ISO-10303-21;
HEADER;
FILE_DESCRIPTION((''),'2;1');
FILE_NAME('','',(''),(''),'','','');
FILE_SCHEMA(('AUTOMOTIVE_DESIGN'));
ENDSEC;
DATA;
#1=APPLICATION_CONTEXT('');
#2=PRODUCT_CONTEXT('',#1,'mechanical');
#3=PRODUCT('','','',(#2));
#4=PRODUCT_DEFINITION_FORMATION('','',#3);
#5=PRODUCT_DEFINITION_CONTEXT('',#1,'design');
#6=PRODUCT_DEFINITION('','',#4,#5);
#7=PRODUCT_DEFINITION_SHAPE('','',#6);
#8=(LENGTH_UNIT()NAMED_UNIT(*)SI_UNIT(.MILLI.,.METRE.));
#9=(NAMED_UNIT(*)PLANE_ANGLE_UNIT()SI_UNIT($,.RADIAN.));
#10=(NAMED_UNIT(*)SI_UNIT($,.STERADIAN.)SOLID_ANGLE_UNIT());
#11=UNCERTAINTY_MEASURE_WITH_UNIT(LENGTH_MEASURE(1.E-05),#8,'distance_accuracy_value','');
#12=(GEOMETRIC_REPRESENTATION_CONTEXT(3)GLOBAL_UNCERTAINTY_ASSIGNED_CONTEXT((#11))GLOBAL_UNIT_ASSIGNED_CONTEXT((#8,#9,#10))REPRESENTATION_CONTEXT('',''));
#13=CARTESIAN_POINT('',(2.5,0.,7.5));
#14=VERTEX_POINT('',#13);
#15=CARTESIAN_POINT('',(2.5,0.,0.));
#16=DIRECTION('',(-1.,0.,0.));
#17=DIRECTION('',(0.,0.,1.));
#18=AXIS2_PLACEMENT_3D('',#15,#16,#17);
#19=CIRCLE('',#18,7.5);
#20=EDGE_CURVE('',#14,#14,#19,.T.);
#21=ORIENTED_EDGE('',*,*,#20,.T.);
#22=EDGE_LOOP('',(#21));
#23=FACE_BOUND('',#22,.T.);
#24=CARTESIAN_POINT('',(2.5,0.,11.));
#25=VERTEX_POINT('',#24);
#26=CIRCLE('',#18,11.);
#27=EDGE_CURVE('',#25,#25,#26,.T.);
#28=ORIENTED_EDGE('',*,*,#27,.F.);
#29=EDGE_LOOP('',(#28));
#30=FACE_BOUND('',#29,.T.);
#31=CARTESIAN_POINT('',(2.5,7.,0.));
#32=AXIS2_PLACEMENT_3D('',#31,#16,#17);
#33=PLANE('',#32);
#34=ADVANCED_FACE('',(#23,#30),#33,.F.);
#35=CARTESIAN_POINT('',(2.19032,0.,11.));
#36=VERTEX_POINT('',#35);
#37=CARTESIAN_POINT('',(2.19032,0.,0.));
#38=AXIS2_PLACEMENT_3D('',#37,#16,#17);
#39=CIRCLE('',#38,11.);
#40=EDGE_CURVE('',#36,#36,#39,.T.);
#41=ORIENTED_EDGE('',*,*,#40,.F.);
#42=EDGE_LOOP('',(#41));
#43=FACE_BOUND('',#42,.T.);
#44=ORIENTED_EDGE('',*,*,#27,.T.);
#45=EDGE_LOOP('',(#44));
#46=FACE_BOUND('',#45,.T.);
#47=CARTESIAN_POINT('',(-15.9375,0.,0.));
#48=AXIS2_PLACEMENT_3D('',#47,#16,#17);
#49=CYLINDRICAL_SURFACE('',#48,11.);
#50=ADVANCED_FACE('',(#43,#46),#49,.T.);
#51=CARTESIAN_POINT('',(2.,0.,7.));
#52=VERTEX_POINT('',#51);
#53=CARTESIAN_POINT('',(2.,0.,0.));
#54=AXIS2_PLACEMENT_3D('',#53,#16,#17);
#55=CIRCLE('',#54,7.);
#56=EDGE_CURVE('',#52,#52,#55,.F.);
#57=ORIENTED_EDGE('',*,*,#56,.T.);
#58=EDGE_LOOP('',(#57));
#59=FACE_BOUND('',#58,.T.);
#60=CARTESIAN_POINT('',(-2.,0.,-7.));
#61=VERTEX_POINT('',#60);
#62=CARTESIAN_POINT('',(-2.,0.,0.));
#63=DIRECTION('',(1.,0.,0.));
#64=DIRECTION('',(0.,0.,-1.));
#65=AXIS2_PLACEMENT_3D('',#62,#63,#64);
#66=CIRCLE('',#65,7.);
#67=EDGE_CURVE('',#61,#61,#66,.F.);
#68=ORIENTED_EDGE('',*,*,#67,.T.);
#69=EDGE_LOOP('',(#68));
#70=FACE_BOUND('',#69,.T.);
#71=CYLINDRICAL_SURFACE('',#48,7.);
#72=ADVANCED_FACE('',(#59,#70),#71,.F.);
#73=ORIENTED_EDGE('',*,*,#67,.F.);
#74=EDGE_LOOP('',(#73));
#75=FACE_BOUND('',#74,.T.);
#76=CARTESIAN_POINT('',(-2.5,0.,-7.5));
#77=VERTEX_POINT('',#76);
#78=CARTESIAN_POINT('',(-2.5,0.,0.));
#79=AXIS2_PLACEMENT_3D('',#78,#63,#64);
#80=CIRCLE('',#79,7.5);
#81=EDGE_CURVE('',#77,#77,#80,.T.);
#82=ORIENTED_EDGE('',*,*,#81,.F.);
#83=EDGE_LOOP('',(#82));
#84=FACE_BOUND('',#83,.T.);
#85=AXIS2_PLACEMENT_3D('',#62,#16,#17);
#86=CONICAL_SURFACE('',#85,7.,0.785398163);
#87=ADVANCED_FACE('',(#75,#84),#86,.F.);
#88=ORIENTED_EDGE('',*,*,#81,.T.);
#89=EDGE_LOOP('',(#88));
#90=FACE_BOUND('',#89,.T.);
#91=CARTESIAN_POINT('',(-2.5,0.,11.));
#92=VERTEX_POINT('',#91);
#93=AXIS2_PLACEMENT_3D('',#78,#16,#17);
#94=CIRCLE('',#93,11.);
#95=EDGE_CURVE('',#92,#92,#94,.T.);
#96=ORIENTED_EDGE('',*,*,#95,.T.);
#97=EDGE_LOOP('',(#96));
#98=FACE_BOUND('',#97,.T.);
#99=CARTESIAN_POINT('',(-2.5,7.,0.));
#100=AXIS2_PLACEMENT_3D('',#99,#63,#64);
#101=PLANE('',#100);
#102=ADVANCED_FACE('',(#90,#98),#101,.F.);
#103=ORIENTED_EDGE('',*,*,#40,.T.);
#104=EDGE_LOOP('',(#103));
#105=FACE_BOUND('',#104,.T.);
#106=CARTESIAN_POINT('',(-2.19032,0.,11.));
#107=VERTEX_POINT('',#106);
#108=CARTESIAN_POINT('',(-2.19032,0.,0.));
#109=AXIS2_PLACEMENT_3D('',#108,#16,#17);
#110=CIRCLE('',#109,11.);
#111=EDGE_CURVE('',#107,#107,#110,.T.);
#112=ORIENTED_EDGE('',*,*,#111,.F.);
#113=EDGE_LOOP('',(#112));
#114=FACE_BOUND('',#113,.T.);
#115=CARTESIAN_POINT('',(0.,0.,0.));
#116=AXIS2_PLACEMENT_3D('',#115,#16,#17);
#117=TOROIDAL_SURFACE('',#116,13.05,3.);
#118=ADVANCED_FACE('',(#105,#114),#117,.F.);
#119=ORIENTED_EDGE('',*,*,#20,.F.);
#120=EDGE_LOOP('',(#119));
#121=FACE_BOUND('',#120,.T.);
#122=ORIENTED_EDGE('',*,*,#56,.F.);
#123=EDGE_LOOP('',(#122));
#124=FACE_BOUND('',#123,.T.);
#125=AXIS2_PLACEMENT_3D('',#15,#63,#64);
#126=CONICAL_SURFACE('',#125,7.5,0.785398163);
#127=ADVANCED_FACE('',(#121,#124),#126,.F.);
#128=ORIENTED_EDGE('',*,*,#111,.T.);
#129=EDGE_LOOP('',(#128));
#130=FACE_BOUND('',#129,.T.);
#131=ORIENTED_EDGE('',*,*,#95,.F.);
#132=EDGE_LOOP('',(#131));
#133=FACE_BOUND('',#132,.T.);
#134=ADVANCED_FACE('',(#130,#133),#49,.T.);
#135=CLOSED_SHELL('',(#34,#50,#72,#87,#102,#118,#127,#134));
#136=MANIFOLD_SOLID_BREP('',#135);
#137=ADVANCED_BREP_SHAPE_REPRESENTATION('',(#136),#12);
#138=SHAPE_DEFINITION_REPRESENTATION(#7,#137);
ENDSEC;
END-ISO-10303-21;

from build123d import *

# Parameters (mm, degrees)
CHAMFER1_SIZE = 0.5


with BuildPart() as part:
    # Sketch1 → Revolve1 (revolve)
    with BuildSketch(Plane.XY):
        with BuildLine():
            Line((-2.5, 11), (-2.190319611, 11))
            ThreePointArc((-2.190319611, 11), (0, 10.05), (2.190319611, 11))
            Line((2.190319611, 11), (2.5, 11))
            Line((2.5, 11), (2.5, 7))
            Line((2.5, 7), (-2.5, 7))
            Line((-2.5, 7), (-2.5, 11))
        make_face()
    revolve(axis=Axis((-15.9375, 0, 0), (1, 0, 0)))

    # Chamfer1
    chamfer1_edges = [part.edges().sort_by_distance(p)[0] for p in [
        (2.5, -7, 0),
        (-2.5, -7, 0),
    ]]
    chamfer(chamfer1_edges, length=CHAMFER1_SIZE)


solid = part.part
